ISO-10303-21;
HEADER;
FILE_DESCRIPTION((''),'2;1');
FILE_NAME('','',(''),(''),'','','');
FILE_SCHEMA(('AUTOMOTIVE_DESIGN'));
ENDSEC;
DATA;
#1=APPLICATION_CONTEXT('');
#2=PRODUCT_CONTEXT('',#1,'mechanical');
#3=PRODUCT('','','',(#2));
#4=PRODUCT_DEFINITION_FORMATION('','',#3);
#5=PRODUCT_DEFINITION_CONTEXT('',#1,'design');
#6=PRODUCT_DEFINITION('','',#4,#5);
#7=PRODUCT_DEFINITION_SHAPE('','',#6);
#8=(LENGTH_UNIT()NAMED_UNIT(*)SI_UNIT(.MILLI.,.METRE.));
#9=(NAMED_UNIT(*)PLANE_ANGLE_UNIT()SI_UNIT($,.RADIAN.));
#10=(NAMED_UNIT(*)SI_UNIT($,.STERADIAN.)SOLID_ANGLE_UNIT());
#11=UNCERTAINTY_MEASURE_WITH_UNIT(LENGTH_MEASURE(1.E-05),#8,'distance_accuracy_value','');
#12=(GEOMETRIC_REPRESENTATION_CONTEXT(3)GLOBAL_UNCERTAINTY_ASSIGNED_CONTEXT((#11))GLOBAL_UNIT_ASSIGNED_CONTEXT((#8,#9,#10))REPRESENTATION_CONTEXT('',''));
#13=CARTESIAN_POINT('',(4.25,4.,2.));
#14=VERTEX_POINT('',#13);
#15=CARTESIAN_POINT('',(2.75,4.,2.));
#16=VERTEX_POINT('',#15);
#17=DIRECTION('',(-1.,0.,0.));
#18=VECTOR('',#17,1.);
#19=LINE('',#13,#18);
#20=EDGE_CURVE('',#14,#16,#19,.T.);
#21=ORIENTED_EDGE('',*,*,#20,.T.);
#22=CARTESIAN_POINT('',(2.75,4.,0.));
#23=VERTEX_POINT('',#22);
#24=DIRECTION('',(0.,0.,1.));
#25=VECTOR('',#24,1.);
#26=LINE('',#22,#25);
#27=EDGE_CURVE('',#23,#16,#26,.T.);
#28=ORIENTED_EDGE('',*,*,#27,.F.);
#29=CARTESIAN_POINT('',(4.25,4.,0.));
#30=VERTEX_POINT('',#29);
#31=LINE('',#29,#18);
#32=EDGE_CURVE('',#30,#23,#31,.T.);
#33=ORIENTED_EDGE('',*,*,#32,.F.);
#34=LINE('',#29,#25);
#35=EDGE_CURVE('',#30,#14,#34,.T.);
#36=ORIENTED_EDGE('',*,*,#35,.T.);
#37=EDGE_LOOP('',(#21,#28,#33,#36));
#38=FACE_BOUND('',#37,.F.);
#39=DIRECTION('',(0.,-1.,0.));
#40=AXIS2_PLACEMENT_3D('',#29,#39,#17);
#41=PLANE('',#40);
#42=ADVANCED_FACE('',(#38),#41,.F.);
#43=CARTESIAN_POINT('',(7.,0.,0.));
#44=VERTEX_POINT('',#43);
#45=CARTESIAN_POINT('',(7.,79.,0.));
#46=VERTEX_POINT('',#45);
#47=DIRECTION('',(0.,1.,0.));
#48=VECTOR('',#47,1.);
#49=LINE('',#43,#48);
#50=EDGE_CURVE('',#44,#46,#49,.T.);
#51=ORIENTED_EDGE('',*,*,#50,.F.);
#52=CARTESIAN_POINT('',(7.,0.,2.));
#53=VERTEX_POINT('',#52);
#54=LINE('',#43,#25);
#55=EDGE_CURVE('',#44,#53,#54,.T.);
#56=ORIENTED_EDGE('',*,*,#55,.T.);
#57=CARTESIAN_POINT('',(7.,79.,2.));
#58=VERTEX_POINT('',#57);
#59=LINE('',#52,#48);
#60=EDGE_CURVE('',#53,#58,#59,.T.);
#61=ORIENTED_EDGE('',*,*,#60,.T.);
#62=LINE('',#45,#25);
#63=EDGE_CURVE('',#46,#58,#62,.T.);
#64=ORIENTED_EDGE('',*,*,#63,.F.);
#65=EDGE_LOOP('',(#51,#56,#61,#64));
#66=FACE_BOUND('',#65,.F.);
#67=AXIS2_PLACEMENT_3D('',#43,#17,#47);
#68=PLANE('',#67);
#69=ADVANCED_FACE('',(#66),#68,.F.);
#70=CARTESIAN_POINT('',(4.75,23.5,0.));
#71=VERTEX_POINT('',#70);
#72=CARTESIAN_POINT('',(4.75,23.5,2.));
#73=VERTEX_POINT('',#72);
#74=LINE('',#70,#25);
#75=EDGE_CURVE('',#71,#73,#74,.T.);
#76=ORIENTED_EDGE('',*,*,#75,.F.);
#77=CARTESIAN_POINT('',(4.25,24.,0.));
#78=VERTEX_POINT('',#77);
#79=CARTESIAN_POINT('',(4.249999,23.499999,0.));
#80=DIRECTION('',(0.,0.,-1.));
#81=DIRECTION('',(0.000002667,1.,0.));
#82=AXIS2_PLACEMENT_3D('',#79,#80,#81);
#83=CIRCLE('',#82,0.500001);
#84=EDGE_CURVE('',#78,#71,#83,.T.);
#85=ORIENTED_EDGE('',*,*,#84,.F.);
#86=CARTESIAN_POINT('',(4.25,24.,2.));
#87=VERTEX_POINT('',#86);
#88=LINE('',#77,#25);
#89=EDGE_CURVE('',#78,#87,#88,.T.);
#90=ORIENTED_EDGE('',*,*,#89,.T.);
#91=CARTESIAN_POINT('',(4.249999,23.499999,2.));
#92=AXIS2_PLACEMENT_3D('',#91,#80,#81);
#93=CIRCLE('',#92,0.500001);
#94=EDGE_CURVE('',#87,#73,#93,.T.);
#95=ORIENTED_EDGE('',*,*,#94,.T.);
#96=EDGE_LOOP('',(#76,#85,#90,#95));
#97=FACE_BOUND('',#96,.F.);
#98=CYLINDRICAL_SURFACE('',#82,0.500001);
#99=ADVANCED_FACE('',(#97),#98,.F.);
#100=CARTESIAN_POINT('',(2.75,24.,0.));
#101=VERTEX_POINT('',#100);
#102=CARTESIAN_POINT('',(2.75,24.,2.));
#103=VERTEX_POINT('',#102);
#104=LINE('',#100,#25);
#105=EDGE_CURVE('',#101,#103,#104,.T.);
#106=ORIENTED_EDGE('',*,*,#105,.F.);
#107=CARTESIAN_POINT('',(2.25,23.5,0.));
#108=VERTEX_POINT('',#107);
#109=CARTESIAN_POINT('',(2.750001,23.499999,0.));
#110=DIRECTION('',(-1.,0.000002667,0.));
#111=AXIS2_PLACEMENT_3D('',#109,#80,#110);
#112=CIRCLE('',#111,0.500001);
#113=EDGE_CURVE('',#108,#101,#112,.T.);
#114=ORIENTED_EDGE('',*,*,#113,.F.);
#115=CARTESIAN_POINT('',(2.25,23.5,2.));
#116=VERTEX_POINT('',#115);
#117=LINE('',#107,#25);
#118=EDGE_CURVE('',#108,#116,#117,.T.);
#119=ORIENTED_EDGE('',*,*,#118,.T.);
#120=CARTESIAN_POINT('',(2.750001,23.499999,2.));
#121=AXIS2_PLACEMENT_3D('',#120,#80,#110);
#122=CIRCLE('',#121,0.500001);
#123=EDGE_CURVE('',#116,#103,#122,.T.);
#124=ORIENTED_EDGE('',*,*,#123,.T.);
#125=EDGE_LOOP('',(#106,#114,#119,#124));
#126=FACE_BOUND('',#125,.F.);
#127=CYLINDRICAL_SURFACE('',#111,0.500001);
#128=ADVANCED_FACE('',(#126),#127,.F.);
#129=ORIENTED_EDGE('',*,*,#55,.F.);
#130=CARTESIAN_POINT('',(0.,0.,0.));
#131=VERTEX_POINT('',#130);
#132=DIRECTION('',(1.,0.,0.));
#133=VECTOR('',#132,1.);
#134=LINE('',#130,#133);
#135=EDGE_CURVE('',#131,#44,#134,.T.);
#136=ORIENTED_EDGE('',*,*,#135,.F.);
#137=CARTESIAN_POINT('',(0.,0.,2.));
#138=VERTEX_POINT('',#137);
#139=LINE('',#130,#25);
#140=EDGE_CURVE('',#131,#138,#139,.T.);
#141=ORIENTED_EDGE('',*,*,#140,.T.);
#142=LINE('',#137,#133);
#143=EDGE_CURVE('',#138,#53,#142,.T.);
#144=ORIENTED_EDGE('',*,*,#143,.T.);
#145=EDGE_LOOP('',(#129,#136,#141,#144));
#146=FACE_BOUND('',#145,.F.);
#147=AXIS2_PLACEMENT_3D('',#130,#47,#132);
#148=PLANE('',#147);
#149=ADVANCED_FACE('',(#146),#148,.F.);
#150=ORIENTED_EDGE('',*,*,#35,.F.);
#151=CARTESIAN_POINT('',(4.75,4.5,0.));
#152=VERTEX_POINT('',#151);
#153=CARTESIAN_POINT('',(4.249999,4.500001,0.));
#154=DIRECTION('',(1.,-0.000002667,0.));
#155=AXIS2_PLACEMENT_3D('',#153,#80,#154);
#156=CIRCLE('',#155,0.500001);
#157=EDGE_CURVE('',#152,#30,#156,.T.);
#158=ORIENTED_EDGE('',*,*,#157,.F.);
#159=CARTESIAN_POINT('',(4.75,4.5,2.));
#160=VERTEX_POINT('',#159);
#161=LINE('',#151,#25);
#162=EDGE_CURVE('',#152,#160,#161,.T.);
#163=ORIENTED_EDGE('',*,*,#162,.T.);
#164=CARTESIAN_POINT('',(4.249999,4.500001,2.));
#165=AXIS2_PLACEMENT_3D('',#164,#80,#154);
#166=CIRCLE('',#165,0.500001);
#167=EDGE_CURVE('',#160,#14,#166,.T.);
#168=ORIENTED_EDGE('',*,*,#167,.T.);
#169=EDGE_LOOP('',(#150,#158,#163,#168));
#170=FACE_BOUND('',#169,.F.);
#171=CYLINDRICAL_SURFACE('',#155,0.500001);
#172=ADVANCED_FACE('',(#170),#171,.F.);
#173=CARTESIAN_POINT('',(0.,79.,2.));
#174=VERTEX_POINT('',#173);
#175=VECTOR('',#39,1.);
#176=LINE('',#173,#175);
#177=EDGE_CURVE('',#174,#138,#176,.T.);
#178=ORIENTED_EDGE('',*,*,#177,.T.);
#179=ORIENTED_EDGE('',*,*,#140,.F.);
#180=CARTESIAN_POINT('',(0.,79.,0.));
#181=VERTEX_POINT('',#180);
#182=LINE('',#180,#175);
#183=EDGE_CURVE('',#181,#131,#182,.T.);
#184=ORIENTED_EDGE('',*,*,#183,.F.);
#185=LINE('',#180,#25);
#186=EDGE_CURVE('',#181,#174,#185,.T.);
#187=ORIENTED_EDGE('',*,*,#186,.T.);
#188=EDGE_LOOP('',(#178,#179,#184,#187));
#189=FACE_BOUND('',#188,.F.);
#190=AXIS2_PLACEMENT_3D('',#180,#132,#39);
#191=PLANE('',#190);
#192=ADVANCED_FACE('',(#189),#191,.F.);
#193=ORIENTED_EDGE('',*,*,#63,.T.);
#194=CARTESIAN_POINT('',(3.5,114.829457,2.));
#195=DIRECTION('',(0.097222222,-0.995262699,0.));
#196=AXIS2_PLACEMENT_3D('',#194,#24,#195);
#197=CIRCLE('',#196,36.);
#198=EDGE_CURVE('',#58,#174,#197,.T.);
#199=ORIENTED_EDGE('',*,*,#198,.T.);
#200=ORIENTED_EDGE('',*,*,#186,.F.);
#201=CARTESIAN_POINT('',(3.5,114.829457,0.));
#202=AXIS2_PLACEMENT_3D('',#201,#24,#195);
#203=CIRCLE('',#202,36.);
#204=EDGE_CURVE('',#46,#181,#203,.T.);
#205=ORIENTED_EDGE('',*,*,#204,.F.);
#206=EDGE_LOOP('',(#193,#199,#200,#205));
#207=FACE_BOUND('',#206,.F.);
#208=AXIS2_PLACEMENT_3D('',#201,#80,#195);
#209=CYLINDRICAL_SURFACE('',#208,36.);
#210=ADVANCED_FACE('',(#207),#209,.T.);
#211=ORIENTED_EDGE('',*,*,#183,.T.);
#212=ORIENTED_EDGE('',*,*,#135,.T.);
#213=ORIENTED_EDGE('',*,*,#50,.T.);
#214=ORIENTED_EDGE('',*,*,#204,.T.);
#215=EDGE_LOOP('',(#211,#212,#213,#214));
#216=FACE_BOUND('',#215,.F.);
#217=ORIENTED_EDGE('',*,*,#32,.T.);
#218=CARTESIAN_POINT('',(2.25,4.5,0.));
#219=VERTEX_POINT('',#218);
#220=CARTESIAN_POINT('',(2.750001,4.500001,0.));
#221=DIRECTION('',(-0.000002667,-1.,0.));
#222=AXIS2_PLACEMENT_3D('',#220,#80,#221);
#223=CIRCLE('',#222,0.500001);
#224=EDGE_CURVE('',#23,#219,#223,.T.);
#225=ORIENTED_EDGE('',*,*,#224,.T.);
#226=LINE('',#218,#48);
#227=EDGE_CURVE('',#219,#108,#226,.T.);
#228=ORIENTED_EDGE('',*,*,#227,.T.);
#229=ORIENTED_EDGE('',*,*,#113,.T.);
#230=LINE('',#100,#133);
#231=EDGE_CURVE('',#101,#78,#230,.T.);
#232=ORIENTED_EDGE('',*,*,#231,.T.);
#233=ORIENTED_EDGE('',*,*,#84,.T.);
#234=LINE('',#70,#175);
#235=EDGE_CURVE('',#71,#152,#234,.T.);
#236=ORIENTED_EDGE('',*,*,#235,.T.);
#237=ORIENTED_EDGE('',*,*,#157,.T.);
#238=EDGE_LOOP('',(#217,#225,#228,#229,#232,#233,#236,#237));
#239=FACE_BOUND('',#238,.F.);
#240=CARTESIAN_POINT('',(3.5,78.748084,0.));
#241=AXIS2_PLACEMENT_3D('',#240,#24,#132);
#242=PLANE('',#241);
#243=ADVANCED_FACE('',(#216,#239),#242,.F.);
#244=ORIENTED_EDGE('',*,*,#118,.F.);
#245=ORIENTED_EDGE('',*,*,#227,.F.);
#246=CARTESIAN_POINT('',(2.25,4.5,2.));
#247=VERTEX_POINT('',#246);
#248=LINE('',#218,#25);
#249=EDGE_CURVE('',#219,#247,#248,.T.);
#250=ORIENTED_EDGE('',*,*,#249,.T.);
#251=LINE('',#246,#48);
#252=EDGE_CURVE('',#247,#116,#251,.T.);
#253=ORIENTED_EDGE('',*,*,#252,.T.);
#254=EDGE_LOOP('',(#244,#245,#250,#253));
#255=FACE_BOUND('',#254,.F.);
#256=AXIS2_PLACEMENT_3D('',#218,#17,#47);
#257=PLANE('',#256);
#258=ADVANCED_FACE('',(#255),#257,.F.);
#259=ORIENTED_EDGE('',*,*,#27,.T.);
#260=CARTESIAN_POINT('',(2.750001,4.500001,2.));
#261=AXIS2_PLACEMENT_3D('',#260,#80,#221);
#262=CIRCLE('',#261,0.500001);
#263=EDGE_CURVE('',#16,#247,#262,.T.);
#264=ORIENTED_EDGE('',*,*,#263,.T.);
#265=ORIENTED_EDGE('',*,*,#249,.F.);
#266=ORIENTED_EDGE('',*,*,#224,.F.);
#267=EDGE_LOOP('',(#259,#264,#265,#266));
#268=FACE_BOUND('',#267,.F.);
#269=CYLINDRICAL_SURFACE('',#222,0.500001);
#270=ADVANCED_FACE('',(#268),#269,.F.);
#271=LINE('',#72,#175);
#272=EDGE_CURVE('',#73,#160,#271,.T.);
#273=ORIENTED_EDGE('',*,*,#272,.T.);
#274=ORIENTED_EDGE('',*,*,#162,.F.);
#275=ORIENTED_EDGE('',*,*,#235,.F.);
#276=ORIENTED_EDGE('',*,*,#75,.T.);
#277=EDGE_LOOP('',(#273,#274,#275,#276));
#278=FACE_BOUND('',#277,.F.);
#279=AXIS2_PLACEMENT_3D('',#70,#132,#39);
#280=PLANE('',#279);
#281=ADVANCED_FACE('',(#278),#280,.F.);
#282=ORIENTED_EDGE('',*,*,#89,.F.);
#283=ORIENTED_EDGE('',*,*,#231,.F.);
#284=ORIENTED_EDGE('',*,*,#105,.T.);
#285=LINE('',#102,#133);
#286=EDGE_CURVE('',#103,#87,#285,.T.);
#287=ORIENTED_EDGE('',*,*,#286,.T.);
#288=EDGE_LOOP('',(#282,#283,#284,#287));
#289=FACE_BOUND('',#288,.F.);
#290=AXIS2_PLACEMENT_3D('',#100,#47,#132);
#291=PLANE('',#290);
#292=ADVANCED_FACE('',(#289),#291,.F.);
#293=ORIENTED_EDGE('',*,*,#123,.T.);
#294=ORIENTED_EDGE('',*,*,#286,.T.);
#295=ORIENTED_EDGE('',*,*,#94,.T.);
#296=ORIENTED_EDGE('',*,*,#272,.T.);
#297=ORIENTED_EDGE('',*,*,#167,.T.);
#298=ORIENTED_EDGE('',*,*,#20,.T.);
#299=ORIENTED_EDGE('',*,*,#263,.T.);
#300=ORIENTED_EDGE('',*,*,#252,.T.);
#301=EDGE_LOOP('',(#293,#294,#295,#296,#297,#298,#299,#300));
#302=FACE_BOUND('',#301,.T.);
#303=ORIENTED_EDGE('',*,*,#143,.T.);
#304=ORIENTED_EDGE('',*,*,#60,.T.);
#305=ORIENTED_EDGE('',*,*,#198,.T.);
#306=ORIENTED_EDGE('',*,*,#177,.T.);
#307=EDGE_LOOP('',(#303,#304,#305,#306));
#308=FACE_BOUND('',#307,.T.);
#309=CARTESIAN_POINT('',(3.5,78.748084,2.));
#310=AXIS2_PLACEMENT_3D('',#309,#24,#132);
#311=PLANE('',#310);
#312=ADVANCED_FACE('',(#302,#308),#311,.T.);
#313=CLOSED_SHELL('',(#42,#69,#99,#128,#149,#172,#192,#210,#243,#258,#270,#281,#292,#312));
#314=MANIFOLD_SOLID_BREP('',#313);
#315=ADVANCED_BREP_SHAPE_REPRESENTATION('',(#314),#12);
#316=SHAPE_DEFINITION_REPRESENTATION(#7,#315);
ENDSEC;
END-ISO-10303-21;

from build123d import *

# Parameters (mm, degrees)
F1_DEPTH = 2


with BuildPart() as f1:
    # F0 (on Top) → F1 (new body)
    with BuildSketch(Plane.XY):
        with BuildLine():
            Line((0, 79), (0, 0))
            Line((0, 0), (7, 0))
            Line((7, 0), (7, 79))
            ThreePointArc((7, 79), (3.5, 150.829457), (0, 79))
        make_face()
        with BuildLine():
            ThreePointArc((2.25, 23.5), (2.396447, 23.853553), (2.75, 24))
            Line((2.75, 24), (4.25, 24))
            ThreePointArc((4.25, 24), (4.603553, 23.853553), (4.75, 23.5))
            Line((4.75, 23.5), (4.75, 4.5))
            ThreePointArc((4.75, 4.5), (4.603553, 4.146447), (4.25, 4))
            Line((4.25, 4), (2.75, 4))
            ThreePointArc((2.75, 4), (2.396447, 4.146447), (2.25, 4.5))
            Line((2.25, 4.5), (2.25, 23.5))
        make_face(mode=Mode.SUBTRACT)
    extrude(amount=F1_DEPTH)


solid = f1.part
